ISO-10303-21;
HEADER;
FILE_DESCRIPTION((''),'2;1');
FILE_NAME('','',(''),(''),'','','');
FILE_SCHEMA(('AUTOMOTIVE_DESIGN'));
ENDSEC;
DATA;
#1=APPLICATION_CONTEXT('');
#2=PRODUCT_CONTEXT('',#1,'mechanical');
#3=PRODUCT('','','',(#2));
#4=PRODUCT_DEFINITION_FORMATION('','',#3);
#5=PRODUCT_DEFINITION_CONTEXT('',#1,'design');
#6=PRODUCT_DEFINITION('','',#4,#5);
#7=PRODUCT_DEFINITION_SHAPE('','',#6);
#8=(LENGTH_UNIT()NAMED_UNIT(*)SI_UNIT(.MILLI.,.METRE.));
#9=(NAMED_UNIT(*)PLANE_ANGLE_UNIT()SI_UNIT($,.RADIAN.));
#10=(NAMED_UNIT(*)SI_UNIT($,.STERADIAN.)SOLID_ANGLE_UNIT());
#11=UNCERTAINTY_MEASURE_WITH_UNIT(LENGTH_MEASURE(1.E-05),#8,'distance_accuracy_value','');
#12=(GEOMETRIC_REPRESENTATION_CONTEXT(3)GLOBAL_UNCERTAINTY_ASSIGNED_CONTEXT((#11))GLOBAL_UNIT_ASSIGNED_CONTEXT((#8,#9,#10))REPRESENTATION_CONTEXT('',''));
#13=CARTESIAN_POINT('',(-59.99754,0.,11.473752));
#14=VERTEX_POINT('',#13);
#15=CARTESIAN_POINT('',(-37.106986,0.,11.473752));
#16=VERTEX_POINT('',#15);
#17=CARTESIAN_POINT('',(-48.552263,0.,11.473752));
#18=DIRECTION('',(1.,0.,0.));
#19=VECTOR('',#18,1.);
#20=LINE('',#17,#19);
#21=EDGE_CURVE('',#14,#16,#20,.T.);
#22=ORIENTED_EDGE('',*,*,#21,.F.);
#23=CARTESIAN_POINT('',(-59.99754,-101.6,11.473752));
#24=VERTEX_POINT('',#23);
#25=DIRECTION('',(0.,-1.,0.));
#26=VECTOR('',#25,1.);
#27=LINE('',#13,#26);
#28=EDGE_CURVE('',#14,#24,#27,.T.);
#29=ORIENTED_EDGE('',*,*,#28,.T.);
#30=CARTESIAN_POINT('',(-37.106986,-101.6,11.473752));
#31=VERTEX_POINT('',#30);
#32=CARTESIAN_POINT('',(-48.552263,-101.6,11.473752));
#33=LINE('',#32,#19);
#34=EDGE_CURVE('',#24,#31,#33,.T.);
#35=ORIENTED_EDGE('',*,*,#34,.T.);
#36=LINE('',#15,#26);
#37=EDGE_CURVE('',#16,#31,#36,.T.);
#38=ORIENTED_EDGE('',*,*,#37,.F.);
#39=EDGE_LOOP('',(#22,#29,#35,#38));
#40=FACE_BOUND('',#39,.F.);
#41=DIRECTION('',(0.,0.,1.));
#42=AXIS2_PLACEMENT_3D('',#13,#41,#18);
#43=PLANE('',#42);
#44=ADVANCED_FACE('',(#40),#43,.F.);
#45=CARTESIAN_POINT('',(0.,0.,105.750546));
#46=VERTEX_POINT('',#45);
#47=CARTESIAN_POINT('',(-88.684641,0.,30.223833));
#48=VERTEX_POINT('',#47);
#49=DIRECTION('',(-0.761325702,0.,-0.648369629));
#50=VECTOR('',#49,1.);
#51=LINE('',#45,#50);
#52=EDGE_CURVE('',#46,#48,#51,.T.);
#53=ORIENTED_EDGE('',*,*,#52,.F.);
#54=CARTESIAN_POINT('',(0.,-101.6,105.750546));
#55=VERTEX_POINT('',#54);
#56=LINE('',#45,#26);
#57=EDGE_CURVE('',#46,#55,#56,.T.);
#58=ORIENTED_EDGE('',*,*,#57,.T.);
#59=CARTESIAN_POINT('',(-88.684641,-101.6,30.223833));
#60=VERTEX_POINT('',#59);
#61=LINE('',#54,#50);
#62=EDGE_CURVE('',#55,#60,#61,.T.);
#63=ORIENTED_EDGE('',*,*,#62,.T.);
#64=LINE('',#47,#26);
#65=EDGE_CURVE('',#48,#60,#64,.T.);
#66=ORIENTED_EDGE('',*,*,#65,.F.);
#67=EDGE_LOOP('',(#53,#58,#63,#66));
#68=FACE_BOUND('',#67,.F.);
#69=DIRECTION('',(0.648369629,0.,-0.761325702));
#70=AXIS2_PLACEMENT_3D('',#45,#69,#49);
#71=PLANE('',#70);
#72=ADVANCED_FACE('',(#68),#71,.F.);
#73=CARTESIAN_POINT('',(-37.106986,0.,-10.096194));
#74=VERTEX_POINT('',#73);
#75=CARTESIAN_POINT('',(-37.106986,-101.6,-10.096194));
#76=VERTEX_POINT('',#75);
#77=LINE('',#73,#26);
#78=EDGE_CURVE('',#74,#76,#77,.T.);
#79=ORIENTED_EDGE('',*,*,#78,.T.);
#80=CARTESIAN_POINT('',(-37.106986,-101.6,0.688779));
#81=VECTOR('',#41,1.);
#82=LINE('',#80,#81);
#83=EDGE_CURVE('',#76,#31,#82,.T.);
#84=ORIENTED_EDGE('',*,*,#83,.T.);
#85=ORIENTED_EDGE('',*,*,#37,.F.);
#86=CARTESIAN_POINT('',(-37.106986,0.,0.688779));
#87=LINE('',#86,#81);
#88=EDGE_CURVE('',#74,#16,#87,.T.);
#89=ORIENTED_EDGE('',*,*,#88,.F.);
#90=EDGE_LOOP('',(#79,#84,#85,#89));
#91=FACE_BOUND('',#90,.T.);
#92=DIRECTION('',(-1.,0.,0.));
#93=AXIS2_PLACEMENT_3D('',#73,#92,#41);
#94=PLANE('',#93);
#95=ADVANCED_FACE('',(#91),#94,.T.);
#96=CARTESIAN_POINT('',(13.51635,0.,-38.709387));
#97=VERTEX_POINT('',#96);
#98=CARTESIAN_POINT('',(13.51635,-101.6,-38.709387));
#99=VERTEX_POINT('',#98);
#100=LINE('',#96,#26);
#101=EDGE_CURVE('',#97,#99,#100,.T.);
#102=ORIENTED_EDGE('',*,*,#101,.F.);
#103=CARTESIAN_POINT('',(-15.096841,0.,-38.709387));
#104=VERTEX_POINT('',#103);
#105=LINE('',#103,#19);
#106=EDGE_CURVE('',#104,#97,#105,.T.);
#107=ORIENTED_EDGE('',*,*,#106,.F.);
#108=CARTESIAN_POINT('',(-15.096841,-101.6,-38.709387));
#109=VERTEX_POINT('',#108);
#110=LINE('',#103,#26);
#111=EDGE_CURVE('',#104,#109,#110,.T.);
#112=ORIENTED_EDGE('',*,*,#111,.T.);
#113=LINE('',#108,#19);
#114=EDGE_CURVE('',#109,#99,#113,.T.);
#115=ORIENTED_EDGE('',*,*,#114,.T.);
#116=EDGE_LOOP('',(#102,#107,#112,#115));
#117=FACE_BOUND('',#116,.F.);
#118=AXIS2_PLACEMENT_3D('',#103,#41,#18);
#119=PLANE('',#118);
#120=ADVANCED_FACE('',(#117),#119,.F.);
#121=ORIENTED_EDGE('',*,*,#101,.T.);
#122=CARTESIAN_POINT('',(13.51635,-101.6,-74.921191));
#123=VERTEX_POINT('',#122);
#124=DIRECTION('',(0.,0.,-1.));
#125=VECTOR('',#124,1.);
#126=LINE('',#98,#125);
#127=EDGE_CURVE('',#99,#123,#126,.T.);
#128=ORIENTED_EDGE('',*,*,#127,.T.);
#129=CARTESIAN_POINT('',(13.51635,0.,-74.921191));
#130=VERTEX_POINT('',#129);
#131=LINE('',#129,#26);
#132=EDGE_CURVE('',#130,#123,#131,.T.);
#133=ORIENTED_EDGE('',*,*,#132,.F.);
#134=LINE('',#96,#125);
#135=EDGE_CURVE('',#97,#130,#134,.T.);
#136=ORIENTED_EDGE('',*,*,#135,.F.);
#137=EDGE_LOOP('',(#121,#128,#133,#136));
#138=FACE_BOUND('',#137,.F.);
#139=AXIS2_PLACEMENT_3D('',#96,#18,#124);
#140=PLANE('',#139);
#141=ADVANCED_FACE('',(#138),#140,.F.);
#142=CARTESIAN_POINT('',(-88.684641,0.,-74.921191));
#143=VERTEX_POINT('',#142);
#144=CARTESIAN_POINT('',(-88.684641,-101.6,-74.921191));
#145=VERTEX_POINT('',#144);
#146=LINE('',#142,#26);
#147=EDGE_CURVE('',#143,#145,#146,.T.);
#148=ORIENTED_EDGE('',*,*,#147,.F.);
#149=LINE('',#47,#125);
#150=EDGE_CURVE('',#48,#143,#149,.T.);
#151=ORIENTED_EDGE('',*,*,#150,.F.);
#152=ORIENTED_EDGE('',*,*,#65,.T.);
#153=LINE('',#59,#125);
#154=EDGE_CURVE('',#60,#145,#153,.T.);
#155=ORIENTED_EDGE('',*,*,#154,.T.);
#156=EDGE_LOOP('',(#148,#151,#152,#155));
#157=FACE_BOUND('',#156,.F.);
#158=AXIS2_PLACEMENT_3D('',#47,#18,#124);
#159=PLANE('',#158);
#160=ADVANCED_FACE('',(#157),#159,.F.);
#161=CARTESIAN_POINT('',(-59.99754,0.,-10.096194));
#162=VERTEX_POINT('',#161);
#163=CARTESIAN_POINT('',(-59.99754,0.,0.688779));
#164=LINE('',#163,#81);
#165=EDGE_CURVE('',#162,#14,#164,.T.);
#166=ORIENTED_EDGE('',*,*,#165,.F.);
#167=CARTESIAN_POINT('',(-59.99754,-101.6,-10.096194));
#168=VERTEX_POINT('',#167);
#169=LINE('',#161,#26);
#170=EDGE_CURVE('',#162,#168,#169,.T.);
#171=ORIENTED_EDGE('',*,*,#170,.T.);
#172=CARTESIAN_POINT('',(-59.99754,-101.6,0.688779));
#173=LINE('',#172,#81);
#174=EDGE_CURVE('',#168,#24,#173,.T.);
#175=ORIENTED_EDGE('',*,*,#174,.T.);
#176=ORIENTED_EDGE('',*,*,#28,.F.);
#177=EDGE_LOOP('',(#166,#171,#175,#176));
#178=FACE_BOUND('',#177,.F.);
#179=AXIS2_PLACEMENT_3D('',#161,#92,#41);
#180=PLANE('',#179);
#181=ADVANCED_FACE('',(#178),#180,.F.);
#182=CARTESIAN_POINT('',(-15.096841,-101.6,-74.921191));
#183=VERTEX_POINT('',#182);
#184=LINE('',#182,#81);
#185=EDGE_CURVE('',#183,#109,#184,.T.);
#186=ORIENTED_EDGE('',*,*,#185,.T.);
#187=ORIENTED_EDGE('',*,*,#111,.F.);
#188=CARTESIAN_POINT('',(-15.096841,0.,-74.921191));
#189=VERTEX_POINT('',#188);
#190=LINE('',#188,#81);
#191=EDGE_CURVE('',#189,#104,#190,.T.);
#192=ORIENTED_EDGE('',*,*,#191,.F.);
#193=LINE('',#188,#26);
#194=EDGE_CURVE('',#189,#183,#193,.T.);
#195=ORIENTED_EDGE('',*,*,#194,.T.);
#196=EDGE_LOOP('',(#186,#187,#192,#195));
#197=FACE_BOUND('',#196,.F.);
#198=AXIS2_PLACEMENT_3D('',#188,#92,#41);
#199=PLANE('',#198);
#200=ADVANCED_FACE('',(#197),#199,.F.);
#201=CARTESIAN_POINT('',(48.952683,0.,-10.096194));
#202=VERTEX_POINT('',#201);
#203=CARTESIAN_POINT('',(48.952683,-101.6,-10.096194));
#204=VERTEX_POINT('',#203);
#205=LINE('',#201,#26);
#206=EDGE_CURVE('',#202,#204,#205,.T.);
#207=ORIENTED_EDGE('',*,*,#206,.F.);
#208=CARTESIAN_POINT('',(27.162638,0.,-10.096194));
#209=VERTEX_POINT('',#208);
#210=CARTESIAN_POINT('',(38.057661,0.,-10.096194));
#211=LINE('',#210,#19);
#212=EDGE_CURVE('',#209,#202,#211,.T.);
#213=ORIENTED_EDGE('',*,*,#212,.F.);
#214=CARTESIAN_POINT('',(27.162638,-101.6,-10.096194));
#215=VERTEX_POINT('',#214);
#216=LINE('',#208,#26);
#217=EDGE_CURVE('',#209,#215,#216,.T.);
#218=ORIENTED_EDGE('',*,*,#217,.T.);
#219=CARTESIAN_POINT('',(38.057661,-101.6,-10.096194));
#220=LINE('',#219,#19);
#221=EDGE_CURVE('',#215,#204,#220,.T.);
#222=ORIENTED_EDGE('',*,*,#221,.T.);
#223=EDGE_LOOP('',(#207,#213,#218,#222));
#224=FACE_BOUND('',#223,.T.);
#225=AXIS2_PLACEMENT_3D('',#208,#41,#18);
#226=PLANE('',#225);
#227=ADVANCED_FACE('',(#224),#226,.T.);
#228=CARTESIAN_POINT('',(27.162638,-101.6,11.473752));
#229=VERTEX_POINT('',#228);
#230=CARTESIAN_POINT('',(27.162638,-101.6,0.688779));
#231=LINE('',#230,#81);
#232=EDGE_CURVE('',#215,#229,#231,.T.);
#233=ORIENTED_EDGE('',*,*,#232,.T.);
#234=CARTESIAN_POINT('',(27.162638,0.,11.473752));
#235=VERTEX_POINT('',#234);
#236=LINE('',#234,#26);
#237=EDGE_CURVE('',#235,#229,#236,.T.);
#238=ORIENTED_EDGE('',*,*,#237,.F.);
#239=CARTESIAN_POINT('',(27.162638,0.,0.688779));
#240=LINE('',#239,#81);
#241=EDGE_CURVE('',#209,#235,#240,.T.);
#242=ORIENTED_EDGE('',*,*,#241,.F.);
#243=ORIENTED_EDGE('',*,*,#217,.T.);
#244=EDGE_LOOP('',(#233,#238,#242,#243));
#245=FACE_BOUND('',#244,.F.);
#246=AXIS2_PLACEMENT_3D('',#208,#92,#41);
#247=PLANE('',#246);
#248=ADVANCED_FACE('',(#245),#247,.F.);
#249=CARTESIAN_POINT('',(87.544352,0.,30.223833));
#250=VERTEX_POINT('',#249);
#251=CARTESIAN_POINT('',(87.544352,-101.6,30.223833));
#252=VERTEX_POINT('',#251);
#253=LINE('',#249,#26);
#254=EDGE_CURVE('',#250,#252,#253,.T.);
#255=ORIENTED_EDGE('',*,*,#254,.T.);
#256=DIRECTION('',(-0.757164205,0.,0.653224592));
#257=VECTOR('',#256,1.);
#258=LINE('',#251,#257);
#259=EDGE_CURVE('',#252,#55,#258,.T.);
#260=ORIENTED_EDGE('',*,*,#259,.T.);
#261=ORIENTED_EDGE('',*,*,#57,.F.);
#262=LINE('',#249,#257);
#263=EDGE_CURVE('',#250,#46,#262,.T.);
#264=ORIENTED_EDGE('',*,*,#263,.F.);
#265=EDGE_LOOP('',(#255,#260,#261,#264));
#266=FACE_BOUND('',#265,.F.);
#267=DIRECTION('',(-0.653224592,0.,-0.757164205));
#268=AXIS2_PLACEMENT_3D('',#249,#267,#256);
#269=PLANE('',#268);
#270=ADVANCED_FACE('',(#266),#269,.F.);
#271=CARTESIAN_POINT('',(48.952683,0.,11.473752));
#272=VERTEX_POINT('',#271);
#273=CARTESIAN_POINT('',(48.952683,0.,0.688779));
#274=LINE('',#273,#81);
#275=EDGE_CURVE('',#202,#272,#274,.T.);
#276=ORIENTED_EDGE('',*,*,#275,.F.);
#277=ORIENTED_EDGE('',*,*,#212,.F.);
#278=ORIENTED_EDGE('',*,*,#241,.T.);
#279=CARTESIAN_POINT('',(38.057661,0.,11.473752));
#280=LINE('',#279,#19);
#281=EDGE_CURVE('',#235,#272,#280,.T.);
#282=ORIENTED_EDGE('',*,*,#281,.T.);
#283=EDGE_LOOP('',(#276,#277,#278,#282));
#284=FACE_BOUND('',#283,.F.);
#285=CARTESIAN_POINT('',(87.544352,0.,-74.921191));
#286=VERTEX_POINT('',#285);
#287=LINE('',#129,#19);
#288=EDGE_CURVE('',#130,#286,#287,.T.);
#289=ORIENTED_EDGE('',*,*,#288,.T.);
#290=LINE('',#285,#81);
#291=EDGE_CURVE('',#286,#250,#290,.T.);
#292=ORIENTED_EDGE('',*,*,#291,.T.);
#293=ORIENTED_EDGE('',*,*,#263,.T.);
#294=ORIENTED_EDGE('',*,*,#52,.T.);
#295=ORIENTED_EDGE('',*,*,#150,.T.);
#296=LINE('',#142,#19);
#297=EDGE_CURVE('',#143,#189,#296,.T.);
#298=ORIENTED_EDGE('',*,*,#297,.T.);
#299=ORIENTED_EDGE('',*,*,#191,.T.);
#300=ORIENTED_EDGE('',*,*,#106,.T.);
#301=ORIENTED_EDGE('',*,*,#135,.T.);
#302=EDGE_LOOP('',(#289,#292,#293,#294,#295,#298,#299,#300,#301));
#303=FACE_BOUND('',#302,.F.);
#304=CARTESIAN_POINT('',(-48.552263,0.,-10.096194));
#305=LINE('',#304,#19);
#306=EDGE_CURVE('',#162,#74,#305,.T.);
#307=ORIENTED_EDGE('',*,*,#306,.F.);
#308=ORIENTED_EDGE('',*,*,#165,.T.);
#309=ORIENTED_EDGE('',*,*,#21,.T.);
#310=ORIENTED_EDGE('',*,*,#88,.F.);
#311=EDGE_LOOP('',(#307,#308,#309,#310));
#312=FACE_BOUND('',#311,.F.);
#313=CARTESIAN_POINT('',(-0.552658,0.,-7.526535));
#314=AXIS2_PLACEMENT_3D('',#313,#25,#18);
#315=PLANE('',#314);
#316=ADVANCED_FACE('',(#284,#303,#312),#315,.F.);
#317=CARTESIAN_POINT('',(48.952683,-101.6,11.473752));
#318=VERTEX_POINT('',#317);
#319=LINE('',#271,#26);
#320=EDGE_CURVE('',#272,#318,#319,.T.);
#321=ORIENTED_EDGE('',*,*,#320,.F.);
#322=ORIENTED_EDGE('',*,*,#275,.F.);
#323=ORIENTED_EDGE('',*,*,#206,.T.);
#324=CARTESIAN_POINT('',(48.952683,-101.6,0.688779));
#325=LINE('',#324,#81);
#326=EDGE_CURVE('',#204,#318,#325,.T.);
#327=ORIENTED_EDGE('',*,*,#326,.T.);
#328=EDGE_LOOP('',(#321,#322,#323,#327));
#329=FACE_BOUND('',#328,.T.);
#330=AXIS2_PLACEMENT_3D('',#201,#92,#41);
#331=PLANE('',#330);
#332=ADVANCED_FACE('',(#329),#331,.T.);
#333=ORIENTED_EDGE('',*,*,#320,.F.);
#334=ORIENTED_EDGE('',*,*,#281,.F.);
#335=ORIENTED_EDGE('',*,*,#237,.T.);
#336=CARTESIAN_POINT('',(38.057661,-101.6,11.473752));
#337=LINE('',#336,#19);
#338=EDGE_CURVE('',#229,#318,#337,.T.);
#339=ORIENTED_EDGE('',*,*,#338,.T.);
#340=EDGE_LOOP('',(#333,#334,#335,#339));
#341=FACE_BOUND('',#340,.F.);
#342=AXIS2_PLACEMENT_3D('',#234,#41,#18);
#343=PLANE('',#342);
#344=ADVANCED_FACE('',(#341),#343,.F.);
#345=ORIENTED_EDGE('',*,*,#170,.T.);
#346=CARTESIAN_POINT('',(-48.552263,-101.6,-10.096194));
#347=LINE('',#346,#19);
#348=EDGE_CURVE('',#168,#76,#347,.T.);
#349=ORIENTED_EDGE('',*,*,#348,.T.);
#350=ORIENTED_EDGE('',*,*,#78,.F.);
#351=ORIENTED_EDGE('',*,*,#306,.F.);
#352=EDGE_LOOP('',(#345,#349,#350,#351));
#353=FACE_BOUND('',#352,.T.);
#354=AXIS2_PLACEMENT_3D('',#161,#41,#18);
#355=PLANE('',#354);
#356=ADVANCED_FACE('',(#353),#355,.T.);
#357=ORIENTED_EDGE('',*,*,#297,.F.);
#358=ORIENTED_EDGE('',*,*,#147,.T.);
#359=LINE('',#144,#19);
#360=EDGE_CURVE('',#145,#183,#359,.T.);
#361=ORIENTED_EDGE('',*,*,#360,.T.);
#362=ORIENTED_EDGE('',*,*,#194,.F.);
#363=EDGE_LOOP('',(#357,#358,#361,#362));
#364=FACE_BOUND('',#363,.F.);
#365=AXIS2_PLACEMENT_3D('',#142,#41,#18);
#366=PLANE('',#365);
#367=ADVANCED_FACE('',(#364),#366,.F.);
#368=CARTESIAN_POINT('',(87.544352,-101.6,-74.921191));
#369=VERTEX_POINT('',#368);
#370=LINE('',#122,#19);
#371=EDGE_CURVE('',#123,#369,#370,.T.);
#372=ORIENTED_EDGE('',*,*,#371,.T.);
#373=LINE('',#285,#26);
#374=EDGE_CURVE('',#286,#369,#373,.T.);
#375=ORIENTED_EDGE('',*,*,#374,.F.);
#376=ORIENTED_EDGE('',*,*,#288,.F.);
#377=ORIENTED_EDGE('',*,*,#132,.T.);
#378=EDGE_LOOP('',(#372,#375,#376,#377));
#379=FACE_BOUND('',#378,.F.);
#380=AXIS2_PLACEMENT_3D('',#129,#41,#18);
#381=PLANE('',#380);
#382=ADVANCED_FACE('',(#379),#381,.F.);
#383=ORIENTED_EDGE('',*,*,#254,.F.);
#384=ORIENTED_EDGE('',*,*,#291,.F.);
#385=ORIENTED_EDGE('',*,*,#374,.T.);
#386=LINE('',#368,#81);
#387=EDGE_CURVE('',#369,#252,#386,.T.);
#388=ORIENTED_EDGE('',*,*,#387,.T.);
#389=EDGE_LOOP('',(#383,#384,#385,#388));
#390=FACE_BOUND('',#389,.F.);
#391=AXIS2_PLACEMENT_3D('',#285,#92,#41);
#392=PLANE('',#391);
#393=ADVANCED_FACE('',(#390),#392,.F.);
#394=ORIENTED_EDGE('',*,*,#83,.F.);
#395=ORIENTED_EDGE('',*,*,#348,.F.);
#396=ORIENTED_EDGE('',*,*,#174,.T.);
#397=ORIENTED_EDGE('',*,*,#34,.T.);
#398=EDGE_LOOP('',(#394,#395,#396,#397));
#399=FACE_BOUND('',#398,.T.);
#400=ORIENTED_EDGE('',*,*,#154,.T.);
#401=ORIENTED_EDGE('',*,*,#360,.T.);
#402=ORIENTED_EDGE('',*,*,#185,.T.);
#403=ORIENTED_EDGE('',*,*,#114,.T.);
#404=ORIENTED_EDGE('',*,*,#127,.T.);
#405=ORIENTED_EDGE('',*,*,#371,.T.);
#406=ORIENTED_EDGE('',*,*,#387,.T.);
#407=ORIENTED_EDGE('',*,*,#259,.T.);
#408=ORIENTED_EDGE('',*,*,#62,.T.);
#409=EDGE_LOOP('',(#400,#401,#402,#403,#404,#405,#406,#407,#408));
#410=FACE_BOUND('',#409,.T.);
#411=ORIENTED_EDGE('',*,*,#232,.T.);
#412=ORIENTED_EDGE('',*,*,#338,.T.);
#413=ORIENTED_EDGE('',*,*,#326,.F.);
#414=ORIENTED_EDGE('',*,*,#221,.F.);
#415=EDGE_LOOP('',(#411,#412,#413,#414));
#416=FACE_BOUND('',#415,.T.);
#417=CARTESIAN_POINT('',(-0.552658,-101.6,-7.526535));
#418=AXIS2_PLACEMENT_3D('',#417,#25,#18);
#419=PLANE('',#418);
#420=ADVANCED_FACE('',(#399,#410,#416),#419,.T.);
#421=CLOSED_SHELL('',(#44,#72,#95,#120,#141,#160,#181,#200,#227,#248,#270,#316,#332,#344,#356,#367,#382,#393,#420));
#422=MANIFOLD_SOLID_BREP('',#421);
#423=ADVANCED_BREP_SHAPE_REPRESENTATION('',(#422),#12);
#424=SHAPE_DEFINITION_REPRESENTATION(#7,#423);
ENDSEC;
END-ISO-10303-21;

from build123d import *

# Parameters (mm, degrees)
F0_W     = 22.890553
F0_H     = 21.569945
F0_W_2   = 21.790045
F1_DEPTH = 101.6


with BuildPart() as f1:
    # F0 (on Front) → F1 (new body)
    with BuildSketch(Plane.XZ):
        Polygon((0, 105.750546), (-88.684641, 30.223833), (-88.684641, -74.921191), (-15.096841, -74.921191), (-15.096841, -38.709387), (13.51635, -38.709387), (13.51635, -74.921191), (87.544352, -74.921191), (87.544352, 30.223833), align=None)
        with Locations((-48.552263, 0.688779)):
            Rectangle(F0_W, F0_H, mode=Mode.SUBTRACT)
        with Locations((38.057661, 0.688779)):
            Rectangle(F0_W_2, F0_H, mode=Mode.SUBTRACT)
    extrude(amount=F1_DEPTH)


solid = f1.part
